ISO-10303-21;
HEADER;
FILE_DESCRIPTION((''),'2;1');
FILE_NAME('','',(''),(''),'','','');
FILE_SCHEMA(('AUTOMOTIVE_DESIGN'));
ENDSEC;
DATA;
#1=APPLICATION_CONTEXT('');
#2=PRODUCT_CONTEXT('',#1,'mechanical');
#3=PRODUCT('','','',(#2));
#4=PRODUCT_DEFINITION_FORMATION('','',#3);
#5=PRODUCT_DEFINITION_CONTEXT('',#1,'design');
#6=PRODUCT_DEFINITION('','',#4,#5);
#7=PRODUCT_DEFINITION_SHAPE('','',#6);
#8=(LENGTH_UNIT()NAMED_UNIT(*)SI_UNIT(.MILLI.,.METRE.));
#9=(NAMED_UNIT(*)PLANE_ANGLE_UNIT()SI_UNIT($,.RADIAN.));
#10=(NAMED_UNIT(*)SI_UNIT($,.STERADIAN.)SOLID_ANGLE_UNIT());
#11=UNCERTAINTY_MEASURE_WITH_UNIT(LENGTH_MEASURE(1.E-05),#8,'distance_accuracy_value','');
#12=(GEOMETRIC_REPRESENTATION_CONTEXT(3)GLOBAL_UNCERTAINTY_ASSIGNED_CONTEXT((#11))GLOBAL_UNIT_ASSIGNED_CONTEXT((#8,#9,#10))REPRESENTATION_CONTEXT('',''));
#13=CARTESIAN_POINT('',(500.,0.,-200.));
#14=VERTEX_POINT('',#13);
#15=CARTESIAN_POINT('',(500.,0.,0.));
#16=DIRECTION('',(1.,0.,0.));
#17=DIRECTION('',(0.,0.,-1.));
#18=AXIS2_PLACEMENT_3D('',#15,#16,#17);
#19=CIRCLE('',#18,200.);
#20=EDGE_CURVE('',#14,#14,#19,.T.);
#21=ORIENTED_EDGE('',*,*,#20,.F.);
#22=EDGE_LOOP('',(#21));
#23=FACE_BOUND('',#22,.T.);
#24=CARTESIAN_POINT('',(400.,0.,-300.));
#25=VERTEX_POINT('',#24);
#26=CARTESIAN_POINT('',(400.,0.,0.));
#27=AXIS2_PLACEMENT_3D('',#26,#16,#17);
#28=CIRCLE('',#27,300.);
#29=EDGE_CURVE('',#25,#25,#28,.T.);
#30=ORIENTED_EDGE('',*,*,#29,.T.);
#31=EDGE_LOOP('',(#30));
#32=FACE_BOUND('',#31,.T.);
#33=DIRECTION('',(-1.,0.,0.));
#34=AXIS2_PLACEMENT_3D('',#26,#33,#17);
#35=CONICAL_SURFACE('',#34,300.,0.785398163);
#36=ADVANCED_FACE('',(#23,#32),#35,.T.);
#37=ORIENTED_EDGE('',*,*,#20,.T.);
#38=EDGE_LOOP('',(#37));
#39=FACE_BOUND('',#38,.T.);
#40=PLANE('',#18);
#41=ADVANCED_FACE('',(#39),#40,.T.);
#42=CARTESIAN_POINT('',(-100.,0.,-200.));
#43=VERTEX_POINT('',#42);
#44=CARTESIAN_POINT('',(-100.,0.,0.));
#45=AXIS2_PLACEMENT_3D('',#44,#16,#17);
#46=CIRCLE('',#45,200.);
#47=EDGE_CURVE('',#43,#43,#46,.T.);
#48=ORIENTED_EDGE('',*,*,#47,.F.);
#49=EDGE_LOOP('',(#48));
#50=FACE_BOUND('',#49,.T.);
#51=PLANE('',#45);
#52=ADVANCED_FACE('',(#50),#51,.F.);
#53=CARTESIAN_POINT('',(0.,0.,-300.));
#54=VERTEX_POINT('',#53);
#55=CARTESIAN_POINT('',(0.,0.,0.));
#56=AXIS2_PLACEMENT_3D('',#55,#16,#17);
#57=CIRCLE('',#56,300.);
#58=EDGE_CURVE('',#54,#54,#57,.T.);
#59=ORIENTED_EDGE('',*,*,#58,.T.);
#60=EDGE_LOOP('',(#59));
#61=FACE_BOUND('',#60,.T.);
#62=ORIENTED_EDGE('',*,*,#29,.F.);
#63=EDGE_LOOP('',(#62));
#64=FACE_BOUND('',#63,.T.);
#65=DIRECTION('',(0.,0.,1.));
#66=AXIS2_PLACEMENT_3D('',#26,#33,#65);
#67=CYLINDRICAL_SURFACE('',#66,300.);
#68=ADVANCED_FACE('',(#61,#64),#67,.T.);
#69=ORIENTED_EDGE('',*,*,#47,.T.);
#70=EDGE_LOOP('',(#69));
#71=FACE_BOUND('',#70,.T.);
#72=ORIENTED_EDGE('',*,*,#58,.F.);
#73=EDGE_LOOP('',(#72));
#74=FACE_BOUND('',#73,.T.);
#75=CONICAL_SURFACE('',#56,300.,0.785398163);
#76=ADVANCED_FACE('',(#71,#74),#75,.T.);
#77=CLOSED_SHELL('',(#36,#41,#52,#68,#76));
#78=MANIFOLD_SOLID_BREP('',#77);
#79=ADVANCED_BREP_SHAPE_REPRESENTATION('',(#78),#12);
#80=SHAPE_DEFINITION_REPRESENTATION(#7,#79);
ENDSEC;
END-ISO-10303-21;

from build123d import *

# Parameters (mm, degrees)
SKETCH1_R           = 300
BOSS_EXTRUDE1_DEPTH = 400
SKETCH1_2_R         = 300
BOSS_EXTRUDE2_DEPTH = 100
BOSS_EXTRUDE2_DRAFT = -45
BOSS_EXTRUDE3_START = 400
SKETCH1_3_R         = 300
BOSS_EXTRUDE3_DEPTH = 100
BOSS_EXTRUDE3_TAPER = 45


with BuildPart() as part:
    # Sketch1 → Boss-Extrude1 (new body)
    with BuildSketch(Plane(origin=(0, 0, 0), x_dir=(0, 0, -1), z_dir=(1, 0, 0))):
        Circle(SKETCH1_R)
    extrude(amount=BOSS_EXTRUDE1_DEPTH)


with BuildPart() as boss_extrude2_tool:
    # Sketch1<2> → Boss-Extrude2 (with draft: the straight prism first)
    with BuildSketch(Plane(origin=(0, 0, 0), x_dir=(0, 0, -1), z_dir=(1, 0, 0))):
        Circle(SKETCH1_2_R)
    extrude(amount=-BOSS_EXTRUDE2_DEPTH)
    # Boss-Extrude2: the draft: its side faces are tilted about the plane it starts from
    boss_extrude2_sides = [boss_extrude2_tool.faces().sort_by_distance(p)[0] for p in [
        (-50, 0, 300),
    ]]
    draft(boss_extrude2_sides, Plane(origin=(0, 0, 0), x_dir=(0, 0, -1), z_dir=(1, 0, 0)), BOSS_EXTRUDE2_DRAFT)


with BuildPart() as part_1:
    add(part.part)

    # Boss-Extrude2: add boss_extrude2_tool
    add(boss_extrude2_tool.part)

    # Sketch1<3> → Boss-Extrude3 (add)
    with BuildSketch(Plane(origin=(0, 0, 0), x_dir=(0, 0, -1), z_dir=(1, 0, 0)).offset(BOSS_EXTRUDE3_START)):
        Circle(SKETCH1_3_R)
    extrude(amount=BOSS_EXTRUDE3_DEPTH, taper=BOSS_EXTRUDE3_TAPER)


solid = part_1.part
